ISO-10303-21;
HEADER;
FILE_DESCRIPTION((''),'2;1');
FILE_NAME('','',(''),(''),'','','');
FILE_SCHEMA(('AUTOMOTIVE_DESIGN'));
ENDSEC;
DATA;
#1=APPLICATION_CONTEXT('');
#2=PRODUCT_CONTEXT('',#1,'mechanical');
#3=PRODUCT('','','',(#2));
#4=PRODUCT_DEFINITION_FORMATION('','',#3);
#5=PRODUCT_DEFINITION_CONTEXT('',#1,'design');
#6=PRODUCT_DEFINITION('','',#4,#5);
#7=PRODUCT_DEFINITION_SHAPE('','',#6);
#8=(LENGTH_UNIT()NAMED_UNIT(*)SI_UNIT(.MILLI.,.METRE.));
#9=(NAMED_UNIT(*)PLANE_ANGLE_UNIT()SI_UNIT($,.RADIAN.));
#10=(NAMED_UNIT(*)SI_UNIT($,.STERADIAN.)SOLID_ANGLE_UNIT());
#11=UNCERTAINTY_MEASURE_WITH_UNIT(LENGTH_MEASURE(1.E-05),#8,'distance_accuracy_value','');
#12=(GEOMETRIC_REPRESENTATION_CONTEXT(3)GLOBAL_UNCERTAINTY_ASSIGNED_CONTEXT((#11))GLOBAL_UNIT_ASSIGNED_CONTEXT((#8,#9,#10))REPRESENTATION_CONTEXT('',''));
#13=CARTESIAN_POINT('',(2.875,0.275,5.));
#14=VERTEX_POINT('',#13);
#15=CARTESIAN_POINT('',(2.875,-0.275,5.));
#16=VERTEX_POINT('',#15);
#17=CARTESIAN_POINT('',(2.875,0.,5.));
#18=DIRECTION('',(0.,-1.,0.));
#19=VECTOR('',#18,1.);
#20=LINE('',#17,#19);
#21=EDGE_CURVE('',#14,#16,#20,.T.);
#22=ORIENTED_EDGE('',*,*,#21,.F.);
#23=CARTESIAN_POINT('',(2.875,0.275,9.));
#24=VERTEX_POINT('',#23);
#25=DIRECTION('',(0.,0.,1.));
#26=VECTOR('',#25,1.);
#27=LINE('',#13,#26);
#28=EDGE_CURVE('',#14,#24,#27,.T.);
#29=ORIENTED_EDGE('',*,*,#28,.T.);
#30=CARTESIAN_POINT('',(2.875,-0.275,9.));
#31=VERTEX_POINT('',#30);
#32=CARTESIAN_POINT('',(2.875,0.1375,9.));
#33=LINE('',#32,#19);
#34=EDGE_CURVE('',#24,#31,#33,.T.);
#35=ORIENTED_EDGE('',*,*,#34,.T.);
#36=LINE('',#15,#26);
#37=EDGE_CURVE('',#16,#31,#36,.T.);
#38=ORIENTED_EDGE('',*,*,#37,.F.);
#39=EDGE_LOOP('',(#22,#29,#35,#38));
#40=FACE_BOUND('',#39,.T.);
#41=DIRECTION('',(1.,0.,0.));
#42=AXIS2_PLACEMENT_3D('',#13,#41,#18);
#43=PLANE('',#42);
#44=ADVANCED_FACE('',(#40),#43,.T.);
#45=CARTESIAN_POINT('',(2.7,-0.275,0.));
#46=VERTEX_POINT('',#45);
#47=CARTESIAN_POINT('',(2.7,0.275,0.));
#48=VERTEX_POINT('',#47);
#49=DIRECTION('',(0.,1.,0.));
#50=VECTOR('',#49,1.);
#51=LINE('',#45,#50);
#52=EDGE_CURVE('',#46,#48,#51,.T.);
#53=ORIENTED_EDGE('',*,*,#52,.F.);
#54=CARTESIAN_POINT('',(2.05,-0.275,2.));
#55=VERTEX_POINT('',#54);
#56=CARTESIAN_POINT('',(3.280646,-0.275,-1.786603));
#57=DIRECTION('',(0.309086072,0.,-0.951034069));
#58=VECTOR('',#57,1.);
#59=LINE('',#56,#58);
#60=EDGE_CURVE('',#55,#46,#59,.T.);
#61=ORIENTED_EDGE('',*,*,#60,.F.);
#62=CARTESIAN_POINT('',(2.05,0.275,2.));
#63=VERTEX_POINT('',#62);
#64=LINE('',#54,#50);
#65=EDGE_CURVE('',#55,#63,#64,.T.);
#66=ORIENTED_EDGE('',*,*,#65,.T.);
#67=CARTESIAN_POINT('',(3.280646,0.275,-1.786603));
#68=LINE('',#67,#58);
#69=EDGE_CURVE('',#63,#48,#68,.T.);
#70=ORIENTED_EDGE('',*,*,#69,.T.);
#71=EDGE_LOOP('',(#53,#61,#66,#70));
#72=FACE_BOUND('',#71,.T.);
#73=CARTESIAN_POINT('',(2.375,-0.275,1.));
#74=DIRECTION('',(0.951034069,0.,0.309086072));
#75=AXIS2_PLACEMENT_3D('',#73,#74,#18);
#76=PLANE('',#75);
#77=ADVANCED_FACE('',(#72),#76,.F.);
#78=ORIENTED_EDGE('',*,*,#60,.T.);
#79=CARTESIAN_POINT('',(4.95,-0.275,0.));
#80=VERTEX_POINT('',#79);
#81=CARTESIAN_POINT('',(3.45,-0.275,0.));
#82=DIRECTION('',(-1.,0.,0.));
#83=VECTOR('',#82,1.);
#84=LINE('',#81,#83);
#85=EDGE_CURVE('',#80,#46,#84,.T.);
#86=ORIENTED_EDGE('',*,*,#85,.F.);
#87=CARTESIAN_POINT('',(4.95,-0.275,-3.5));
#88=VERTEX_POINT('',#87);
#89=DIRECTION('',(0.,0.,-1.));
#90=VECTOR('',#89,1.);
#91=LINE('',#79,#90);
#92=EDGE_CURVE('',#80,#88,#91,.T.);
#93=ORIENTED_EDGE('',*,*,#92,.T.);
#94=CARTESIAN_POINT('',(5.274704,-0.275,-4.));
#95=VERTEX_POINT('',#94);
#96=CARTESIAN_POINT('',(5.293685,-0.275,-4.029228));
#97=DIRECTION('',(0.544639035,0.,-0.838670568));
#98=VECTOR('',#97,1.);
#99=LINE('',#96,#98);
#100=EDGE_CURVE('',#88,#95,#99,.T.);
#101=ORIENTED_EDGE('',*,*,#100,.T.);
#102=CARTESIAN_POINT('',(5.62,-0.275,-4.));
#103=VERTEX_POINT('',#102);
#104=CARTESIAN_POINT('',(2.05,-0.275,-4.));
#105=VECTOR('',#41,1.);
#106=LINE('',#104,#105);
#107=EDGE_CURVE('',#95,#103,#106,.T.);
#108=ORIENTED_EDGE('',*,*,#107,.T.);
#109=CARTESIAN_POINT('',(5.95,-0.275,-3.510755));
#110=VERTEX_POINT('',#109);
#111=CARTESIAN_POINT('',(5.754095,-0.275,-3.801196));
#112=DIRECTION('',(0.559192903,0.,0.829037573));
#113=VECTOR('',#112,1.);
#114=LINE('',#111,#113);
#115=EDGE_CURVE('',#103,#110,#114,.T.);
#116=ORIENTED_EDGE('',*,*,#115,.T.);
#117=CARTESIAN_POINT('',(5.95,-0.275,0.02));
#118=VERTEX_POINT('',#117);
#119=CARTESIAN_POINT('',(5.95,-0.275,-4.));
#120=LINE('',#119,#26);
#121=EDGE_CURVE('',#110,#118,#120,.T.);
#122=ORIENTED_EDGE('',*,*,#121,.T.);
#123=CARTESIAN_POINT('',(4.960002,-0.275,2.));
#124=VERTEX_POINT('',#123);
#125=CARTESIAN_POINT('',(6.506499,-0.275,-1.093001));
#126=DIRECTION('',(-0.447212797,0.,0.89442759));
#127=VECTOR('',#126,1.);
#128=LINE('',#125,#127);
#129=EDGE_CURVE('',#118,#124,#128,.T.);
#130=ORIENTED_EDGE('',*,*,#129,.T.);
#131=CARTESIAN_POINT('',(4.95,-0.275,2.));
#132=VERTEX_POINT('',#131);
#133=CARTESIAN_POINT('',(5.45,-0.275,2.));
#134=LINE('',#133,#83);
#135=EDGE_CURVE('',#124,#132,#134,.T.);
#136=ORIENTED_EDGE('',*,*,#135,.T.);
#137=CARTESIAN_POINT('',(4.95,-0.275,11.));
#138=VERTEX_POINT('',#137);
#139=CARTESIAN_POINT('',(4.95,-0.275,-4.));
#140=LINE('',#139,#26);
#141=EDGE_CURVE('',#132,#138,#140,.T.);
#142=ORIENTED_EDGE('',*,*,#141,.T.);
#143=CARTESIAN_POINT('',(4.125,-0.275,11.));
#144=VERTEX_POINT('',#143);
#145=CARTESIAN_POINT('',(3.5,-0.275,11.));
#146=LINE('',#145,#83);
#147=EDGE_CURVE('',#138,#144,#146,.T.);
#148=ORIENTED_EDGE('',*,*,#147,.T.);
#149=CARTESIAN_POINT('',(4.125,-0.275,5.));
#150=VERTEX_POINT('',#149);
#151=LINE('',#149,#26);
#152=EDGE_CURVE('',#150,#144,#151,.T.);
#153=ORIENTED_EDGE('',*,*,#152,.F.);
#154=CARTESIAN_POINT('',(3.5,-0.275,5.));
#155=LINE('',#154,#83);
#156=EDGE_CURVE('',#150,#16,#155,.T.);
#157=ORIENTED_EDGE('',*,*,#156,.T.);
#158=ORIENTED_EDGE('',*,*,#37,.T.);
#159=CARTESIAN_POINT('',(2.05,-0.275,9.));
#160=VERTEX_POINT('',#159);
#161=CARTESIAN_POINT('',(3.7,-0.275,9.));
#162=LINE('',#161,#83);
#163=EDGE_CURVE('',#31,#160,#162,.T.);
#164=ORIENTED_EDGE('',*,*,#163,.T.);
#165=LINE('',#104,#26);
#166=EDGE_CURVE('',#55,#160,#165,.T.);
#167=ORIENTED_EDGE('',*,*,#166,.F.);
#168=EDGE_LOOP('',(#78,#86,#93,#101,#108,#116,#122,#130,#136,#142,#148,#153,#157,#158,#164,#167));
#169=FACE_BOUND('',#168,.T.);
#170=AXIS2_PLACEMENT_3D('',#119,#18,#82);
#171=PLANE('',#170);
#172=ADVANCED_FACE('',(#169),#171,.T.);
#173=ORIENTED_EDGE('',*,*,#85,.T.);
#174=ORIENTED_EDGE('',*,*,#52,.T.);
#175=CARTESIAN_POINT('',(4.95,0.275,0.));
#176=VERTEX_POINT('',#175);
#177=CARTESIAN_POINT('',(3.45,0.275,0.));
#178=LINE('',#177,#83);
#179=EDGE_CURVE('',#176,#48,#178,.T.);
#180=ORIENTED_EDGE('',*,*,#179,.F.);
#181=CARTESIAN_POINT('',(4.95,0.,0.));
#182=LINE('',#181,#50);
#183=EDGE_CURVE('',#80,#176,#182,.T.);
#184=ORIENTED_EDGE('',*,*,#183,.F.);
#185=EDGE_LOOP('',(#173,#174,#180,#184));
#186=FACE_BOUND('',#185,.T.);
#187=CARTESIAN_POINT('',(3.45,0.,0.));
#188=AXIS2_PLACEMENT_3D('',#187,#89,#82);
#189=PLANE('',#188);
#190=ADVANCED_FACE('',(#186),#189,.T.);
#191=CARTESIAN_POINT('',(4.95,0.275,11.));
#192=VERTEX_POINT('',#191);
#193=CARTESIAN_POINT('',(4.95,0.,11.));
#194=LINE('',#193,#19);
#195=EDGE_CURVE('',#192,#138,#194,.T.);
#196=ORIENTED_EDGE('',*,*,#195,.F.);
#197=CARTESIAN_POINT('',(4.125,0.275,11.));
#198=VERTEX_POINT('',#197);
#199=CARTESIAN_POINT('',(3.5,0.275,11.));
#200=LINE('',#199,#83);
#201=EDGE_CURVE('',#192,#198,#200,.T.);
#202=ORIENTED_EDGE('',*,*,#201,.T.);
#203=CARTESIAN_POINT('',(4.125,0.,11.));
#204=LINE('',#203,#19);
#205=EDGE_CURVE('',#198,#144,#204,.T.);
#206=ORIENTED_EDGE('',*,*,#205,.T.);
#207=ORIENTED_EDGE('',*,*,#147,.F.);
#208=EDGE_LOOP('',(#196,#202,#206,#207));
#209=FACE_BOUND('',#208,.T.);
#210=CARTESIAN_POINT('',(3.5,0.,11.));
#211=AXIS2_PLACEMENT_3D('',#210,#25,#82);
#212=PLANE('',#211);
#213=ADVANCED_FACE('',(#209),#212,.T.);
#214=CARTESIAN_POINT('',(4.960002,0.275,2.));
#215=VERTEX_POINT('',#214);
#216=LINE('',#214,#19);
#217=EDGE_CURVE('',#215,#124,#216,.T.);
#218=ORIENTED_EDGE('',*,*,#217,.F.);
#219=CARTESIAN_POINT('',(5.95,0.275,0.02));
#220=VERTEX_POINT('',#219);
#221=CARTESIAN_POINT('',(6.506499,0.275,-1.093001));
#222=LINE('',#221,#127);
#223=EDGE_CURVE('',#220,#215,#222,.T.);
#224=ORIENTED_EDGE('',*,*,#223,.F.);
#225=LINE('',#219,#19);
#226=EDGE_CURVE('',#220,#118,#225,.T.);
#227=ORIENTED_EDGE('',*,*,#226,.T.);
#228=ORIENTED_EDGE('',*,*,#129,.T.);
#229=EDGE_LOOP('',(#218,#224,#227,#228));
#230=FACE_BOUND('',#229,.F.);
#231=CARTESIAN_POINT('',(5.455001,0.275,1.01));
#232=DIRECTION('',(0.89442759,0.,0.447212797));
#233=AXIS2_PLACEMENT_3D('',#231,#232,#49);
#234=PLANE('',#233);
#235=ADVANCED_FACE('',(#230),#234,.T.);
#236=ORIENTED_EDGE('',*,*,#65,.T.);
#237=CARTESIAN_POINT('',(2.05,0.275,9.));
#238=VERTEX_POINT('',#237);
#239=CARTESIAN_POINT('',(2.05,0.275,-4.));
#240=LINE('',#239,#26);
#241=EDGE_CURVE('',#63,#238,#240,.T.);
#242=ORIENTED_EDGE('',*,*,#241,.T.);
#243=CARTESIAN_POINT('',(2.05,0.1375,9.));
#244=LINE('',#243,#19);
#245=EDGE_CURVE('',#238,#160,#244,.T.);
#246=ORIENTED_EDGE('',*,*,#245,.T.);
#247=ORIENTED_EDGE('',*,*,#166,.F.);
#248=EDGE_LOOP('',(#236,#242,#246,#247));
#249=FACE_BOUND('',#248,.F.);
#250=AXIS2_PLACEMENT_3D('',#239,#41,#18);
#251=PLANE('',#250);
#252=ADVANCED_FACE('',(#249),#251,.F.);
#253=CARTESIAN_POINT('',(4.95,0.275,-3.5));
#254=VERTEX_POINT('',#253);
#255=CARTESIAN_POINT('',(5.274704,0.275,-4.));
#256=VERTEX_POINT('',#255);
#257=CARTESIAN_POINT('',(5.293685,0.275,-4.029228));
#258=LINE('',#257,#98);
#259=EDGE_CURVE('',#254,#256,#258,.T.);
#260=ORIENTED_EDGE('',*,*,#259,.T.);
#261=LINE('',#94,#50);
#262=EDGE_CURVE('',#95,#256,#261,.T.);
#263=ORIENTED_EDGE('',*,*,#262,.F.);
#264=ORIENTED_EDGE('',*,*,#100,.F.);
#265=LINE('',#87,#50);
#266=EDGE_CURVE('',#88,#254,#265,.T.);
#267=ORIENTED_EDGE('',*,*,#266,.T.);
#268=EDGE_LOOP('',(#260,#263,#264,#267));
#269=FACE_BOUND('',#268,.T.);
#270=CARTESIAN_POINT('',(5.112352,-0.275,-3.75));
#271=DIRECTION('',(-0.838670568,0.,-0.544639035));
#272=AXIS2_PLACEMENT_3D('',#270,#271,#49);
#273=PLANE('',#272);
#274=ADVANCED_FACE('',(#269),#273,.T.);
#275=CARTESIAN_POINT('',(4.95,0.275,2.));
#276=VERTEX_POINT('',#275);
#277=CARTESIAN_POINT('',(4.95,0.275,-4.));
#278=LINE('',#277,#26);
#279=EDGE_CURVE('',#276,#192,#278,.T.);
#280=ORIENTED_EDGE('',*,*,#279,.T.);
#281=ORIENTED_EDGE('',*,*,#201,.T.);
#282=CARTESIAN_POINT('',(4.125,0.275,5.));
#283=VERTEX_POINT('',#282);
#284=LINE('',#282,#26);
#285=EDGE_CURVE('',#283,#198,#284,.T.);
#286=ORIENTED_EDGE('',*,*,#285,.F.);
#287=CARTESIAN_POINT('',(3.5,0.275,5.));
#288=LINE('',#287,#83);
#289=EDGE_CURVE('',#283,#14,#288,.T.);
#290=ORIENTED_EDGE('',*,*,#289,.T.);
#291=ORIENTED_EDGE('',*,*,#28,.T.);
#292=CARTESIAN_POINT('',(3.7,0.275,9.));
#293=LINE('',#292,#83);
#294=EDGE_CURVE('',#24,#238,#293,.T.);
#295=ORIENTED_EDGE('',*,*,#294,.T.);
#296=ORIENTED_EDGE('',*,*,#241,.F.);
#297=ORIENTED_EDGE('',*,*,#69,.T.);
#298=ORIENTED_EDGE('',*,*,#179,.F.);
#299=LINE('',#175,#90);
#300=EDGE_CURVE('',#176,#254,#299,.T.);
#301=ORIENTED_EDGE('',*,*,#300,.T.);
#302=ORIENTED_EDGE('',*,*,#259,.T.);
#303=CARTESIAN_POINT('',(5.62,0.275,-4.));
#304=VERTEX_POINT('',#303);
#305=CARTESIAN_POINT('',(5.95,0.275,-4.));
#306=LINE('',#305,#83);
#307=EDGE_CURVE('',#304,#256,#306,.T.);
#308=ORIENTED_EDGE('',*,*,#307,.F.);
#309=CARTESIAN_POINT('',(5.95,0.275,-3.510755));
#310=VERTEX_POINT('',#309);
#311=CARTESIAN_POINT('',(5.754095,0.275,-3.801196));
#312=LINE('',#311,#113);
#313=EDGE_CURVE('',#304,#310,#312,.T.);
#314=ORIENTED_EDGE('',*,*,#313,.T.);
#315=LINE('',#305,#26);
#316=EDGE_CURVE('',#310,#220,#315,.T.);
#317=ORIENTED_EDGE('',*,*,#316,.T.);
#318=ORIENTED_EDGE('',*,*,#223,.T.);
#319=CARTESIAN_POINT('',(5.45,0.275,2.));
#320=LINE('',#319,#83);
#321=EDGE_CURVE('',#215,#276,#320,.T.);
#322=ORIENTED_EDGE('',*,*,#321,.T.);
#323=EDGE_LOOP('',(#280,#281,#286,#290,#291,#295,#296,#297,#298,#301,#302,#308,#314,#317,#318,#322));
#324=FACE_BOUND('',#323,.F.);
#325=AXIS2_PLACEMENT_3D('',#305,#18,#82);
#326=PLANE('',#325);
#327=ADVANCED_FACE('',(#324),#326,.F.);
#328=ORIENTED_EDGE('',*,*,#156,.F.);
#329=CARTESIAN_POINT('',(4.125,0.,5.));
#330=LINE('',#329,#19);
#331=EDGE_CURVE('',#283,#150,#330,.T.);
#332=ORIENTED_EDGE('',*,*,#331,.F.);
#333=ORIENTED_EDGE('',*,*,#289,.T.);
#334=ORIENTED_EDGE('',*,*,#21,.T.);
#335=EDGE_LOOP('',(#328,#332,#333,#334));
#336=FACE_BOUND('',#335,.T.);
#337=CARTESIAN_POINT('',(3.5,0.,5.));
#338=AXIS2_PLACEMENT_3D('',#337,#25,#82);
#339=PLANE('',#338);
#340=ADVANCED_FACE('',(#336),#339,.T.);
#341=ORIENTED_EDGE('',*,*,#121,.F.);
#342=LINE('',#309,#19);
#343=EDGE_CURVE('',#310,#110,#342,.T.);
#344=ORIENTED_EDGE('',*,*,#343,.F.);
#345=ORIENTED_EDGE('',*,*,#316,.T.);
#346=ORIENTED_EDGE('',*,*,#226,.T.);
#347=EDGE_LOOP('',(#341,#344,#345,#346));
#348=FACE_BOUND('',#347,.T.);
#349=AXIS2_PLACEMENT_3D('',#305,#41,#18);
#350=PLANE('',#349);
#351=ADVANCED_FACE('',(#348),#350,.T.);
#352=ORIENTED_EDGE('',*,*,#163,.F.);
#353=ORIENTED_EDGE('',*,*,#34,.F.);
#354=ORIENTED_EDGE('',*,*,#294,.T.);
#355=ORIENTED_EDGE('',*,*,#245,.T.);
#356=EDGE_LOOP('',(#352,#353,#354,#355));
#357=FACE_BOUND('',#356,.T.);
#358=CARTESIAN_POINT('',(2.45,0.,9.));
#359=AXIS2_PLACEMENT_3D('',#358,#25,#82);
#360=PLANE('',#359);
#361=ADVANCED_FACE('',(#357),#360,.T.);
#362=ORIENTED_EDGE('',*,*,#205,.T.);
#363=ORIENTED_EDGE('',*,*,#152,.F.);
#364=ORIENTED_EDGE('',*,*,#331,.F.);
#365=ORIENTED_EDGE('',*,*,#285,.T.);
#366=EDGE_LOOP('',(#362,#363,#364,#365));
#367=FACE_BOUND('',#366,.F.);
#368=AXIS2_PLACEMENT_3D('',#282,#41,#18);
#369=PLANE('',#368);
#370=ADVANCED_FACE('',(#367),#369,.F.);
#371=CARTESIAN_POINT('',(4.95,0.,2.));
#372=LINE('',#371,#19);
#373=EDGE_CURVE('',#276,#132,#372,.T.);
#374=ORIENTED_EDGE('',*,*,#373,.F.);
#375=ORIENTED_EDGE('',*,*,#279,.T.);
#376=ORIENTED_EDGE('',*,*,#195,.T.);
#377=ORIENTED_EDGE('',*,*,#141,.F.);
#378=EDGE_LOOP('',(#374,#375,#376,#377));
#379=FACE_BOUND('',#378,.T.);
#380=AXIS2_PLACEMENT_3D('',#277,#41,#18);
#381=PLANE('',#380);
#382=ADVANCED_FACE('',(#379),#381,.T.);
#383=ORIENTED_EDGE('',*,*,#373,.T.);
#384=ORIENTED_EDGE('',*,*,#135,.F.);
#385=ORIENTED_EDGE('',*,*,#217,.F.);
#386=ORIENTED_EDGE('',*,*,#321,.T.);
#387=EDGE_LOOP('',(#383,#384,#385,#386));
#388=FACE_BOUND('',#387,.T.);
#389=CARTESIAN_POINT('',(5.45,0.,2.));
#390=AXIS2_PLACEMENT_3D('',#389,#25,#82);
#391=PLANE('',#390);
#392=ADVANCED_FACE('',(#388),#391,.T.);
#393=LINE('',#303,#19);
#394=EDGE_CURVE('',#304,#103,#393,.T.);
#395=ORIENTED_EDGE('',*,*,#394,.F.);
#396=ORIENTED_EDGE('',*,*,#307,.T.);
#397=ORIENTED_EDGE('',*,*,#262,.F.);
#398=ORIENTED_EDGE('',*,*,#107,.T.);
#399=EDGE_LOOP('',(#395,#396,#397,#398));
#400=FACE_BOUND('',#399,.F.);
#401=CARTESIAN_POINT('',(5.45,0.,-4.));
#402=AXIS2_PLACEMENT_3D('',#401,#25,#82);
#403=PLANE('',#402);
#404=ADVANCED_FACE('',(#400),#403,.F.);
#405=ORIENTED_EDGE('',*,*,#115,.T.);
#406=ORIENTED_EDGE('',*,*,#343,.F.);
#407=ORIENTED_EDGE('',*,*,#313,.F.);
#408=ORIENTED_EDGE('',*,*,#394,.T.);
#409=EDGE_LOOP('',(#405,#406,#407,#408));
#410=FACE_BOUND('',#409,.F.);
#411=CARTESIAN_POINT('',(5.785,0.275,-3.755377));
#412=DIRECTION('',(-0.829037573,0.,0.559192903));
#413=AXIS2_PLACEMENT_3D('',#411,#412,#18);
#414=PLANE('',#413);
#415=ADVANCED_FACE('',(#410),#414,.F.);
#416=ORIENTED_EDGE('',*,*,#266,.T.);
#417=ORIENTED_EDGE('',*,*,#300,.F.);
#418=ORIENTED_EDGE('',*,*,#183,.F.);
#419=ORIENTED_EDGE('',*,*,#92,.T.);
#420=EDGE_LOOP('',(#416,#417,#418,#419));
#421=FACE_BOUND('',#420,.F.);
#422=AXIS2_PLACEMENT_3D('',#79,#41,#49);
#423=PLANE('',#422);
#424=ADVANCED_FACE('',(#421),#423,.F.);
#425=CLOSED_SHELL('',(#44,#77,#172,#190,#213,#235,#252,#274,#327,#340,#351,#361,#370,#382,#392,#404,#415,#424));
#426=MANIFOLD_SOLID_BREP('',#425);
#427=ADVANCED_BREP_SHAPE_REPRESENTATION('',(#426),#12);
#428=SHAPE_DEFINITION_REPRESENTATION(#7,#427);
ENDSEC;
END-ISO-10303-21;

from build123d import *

# Parameters (mm, degrees)
BOX066_W                = 2.9
BOX066_H                = 0.55
BOX066_DEPTH            = 15
BOX067_W                = 1.25
BOX067_H                = 0.55
BOX067_DEPTH            = 6
BOX068_W                = 1.1
BOX068_H                = 0.6
BOX068_DEPTH            = 2
BOX070_W                = 1
BOX070_H                = 0.55
BOX070_DEPTH            = 6
BOX069_W                = 3
BOX069_H                = 0.55
BOX069_DEPTH            = 4
CHAMFER030_SIZE2        = 0.65
CHAMFER030_SIZE         = 2
CHAMFER031_ANGLE        = 33
CHAMFER031_SIZE         = 0.5
CHAMFER033_ANGLE        = 56
CHAMFER033_SIZE         = 0.33
CHAMFER032_ANGLE        = 26.565
CHAMFER032_SIZE         = 1.98
BODY028_PLACEMENT_ANGLE = 180


with BuildPart() as part:
    # Box066 → Box066 (join)
    with BuildSketch(Plane(origin=(-4.95, -0.275, 0), x_dir=(1, 0, 0), z_dir=(0, 0, 1))):
        with Locations((1.45, 0.275)):
            Rectangle(BOX066_W, BOX066_H)
    extrude(amount=BOX066_DEPTH)

    # Box067 → Box067 (cut)
    with BuildSketch(Plane(origin=(-4.125, -0.275, 9), x_dir=(1, 0, 0), z_dir=(0, 0, 1))):
        with Locations((0.625, 0.275)):
            Rectangle(BOX067_W, BOX067_H)
    extrude(amount=BOX067_DEPTH, mode=Mode.SUBTRACT)

    # Box068 → Box068 (cut)
    with BuildSketch(Plane(origin=(-3, -0.3, 13), x_dir=(1, 0, 0), z_dir=(0, 0, 1))):
        with Locations((0.55, 0.3)):
            Rectangle(BOX068_W, BOX068_H)
    extrude(amount=BOX068_DEPTH, mode=Mode.SUBTRACT)

    # Box070 → Box070 (join)
    with BuildSketch(Plane(origin=(-5.95, -0.275, 0), x_dir=(1, 0, 0), z_dir=(0, 0, 1))):
        with Locations((0.5, 0.275)):
            Rectangle(BOX070_W, BOX070_H)
    extrude(amount=BOX070_DEPTH)

    # Box069 → Box069 (cut)
    with BuildSketch(Plane(origin=(-4.95, 0.275, 4), x_dir=(1, 0, 0), z_dir=(0, 0, -1))):
        with Locations((1.5, 0.275)):
            Rectangle(BOX069_W, BOX069_H)
    extrude(amount=BOX069_DEPTH, mode=Mode.SUBTRACT)

    # Chamfer030
    chamfer030_edges = [part.edges().sort_by_distance(p)[0] for p in [
        (-2.05, 0, 4),
    ]]
    chamfer030_side = part.faces().sort_by_distance((-2.05, 0, 8.5))[0]
    chamfer(chamfer030_edges, length=CHAMFER030_SIZE, length2=CHAMFER030_SIZE2, reference=chamfer030_side)

    # Chamfer031
    chamfer031_edges = [part.edges().sort_by_distance(p)[0] for p in [
        (-4.95, 0, 0),
    ]]
    chamfer031_side = part.faces().sort_by_distance((-4.95, 0, 2))[0]
    chamfer(chamfer031_edges, length=CHAMFER031_SIZE, angle=CHAMFER031_ANGLE, reference=chamfer031_side)

    # Chamfer033
    chamfer033_edges = [part.edges().sort_by_distance(p)[0] for p in [
        (-5.95, 0, 0),
    ]]
    chamfer033_side = part.faces().sort_by_distance((-5.612352, 0, 0))[0]
    chamfer(chamfer033_edges, length=CHAMFER033_SIZE, angle=CHAMFER033_ANGLE, reference=chamfer033_side)

    # Chamfer032
    chamfer032_edges = [part.edges().sort_by_distance(p)[0] for p in [
        (-5.95, 0, 6),
    ]]
    chamfer032_side = part.faces().sort_by_distance((-5.95, 0, 3.244623))[0]
    chamfer(chamfer032_edges, length=CHAMFER032_SIZE, angle=CHAMFER032_ANGLE, reference=chamfer032_side)


with BuildPart() as part_1:
    # Body028 placement: moved
    add(part.part.moved(Location((0, 0, -4))).rotate(Axis((0, 0, -4), (0, 0, 1)), BODY028_PLACEMENT_ANGLE))


solid = part_1.part
